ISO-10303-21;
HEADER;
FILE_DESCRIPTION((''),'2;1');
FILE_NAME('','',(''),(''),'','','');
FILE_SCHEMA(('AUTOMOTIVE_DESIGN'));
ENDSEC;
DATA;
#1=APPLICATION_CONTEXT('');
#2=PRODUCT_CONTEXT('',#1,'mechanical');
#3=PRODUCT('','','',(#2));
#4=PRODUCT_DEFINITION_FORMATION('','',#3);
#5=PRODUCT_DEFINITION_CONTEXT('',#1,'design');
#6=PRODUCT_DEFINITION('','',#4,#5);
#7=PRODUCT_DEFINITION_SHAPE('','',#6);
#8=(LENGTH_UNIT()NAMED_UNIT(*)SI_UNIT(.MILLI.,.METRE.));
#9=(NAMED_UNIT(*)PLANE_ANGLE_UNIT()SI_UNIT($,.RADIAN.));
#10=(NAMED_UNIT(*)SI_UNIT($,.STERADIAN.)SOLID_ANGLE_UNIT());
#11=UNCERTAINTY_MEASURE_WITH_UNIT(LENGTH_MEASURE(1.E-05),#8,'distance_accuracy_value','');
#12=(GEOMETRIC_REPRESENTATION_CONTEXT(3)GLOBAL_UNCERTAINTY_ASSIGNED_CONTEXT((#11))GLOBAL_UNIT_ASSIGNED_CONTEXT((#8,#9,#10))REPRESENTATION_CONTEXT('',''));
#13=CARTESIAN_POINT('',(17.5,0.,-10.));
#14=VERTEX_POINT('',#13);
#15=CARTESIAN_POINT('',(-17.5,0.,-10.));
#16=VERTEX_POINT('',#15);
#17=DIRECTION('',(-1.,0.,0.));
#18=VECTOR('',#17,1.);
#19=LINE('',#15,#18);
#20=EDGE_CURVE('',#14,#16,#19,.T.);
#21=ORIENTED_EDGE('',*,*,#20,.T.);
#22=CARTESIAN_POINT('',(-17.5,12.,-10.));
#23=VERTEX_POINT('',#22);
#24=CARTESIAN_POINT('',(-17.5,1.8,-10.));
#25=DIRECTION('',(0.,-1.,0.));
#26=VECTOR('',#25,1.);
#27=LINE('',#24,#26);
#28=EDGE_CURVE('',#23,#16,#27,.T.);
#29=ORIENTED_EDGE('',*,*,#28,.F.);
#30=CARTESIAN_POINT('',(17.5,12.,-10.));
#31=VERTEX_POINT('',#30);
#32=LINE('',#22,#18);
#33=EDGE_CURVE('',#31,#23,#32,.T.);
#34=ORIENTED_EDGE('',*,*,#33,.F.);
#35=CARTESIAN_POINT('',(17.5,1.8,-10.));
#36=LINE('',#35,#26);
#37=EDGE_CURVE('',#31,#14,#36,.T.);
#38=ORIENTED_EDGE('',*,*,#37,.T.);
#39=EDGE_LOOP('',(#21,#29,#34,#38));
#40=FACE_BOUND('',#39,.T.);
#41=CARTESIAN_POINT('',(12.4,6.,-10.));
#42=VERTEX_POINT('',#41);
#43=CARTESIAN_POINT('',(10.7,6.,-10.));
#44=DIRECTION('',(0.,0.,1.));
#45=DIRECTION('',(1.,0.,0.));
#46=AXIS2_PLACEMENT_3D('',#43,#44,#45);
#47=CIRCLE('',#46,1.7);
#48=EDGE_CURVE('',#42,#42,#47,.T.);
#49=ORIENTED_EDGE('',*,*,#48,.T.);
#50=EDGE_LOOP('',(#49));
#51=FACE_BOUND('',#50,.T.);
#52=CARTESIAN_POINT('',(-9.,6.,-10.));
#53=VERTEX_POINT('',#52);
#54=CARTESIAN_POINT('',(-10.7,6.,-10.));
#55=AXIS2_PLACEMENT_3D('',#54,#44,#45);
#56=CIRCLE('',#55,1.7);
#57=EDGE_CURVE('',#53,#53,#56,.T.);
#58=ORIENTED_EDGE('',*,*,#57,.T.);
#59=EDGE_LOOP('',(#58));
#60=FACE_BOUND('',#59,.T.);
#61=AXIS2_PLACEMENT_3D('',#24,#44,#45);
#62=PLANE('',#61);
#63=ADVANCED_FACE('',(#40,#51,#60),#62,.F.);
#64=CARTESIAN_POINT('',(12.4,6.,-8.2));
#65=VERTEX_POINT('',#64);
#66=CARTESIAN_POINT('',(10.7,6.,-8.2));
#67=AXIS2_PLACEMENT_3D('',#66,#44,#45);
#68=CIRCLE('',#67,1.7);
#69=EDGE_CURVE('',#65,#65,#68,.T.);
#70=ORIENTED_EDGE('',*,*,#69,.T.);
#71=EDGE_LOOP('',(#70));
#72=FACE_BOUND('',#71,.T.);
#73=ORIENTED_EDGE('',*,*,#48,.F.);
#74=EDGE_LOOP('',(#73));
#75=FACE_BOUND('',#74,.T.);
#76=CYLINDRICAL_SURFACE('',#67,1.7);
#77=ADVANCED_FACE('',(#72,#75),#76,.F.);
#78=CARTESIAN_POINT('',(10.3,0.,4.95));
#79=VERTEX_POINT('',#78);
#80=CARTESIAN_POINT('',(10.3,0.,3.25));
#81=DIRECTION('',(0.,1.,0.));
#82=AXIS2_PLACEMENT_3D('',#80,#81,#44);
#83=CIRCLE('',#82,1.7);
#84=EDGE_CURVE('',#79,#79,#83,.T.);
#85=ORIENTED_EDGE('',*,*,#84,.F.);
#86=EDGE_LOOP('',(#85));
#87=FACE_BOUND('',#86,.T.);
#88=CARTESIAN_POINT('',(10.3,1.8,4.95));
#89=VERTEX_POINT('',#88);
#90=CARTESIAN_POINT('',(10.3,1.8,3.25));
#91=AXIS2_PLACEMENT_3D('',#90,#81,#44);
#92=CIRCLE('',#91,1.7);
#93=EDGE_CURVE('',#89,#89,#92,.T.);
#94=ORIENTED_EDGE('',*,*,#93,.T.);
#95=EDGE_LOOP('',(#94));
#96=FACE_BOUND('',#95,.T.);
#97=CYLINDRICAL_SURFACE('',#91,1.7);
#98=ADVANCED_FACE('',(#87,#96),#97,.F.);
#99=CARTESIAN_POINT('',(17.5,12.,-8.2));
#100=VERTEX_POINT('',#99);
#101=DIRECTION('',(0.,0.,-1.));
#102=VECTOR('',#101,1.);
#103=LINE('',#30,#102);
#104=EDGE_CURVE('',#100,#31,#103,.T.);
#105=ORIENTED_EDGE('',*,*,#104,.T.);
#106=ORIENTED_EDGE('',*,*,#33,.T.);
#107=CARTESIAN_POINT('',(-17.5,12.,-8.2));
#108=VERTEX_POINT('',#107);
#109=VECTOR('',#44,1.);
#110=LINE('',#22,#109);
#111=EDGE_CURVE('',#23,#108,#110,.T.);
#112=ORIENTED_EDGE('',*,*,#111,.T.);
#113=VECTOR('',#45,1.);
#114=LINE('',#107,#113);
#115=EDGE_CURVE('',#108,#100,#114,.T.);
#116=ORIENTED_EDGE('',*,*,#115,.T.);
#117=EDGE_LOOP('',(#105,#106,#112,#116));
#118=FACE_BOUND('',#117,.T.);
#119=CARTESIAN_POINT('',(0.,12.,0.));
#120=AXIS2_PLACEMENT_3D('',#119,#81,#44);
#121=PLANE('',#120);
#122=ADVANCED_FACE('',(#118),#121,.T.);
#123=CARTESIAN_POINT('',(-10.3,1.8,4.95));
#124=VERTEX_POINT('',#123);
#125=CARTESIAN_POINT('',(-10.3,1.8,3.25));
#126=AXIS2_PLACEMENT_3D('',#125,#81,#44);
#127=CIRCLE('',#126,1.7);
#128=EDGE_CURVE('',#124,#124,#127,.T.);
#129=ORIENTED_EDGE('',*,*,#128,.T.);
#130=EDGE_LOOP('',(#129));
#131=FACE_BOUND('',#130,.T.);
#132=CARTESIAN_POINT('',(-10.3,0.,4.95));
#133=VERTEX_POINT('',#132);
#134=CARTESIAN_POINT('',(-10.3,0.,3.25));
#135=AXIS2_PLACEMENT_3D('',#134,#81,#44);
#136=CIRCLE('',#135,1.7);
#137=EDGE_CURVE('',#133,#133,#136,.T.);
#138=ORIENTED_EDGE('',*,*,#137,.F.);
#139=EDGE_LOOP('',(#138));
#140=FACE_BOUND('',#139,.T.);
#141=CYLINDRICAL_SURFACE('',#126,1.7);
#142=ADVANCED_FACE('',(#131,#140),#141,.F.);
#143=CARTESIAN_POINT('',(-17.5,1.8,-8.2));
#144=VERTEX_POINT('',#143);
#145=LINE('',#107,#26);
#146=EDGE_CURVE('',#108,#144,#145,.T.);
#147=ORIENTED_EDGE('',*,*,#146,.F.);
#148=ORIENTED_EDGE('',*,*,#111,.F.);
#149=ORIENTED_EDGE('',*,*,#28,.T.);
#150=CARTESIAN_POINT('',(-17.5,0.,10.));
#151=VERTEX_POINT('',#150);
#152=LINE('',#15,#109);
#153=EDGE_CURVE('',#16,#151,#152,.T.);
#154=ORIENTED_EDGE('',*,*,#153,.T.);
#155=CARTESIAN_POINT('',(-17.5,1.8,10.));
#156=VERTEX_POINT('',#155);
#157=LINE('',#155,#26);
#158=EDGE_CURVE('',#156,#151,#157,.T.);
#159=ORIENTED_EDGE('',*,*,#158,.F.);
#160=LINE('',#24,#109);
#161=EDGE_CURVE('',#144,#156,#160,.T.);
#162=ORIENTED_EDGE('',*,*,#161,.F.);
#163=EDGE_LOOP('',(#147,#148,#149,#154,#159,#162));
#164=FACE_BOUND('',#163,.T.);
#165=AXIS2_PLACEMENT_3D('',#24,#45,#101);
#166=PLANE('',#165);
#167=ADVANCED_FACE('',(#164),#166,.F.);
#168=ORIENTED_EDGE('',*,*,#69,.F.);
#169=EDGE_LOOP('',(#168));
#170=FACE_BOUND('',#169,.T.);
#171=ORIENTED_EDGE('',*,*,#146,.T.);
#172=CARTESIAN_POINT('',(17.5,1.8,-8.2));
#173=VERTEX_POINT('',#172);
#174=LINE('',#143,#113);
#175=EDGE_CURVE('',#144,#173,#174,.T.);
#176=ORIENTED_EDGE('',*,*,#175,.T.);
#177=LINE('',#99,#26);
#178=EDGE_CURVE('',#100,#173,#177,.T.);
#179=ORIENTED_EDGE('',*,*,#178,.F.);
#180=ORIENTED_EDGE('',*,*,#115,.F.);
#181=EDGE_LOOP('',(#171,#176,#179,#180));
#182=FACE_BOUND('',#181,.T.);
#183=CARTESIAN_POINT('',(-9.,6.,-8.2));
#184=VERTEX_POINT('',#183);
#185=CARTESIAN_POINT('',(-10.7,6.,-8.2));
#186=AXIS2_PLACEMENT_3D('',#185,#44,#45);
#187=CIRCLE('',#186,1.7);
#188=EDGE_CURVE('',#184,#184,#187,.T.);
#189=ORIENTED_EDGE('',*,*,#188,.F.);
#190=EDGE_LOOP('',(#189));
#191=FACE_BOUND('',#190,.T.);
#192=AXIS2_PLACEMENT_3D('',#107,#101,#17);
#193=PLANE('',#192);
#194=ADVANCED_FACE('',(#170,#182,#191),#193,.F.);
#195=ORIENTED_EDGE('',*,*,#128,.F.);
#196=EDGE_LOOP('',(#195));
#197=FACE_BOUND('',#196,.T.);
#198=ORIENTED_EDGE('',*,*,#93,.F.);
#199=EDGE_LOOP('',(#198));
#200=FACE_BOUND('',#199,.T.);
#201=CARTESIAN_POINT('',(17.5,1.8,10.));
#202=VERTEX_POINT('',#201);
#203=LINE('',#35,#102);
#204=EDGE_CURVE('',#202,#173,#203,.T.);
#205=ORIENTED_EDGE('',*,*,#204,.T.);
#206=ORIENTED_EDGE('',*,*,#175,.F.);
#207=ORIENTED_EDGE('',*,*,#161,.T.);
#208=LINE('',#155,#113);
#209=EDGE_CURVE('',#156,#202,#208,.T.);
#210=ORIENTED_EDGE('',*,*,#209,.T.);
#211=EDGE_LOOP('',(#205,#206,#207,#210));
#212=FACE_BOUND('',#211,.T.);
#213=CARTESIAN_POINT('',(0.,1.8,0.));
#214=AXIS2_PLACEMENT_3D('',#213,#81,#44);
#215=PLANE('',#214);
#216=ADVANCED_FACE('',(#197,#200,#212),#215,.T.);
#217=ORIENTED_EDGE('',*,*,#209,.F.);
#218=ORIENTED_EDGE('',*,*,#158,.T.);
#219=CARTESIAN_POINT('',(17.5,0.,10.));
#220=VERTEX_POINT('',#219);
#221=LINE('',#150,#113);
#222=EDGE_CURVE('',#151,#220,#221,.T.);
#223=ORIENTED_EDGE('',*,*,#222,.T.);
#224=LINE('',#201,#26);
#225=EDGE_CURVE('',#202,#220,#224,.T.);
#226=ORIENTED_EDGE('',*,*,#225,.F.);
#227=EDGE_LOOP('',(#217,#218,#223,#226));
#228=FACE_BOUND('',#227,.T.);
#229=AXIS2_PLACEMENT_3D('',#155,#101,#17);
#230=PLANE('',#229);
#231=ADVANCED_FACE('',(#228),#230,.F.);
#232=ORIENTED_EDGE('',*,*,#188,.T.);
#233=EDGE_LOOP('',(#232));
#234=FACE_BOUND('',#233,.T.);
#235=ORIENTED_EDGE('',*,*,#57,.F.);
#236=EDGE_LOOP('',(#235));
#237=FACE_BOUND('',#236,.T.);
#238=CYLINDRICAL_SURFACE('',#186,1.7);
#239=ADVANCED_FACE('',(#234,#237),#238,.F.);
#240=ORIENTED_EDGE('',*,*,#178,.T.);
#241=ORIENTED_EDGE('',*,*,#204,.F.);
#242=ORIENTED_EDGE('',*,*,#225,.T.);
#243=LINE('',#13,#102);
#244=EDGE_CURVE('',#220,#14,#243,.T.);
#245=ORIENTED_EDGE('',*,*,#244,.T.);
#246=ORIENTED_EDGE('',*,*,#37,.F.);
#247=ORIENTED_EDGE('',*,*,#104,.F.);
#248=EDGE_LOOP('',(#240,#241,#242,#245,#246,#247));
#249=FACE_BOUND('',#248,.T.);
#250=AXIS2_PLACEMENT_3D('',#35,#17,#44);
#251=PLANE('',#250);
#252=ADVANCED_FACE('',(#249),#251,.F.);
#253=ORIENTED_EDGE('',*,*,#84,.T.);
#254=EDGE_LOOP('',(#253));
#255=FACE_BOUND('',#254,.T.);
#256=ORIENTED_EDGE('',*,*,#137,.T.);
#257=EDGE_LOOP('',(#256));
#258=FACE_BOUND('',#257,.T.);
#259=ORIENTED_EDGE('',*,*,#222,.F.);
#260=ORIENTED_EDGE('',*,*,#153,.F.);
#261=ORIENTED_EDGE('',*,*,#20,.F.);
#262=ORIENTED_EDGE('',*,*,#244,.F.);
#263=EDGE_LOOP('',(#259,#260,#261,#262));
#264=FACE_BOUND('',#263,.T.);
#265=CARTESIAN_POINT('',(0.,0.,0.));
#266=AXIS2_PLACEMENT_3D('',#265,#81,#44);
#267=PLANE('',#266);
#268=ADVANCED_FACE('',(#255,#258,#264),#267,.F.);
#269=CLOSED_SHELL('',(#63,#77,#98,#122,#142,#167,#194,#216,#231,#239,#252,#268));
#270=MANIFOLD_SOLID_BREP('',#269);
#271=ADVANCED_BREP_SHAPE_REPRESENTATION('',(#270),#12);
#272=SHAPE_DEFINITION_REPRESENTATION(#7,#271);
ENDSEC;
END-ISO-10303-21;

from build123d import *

# Parameters (mm, degrees)
ESQUISSE1_W        = 35
ESQUISSE1_H        = 20
BOSS_EXTRU_1_DEPTH = 1.8
ESQUISSE2_W        = 35
ESQUISSE2_H        = 1.8
BOSS_EXTRU_2_DEPTH = 10.2
D_GAGEMENT_M31_D   = 3.4
D_GAGEMENT_M32_D   = 3.4


with BuildPart() as part:
    # Esquisse1 → Boss.-Extru.1 (new body)
    with BuildSketch(Plane(origin=(0, 0, 0), x_dir=(1, 0, 0), z_dir=(0, 1, 0))):
        Rectangle(ESQUISSE1_W, ESQUISSE1_H)
    extrude(amount=BOSS_EXTRU_1_DEPTH)

    # Esquisse2 → Boss.-Extru.2 (add)
    with BuildSketch(Plane(origin=(0, 1.8, 0), x_dir=(1, 0, 0), z_dir=(0, 1, 0))):
        with Locations((0, 9.1)):
            Rectangle(ESQUISSE2_W, ESQUISSE2_H)
    extrude(amount=BOSS_EXTRU_2_DEPTH)

    # Dégagement M31 (through all)
    with Locations(Plane.XY.offset(-8.2)):
        with Locations((-10.7, 6), (10.7, 6)):
            Hole(D_GAGEMENT_M31_D / 2)

    # Dégagement M32 (through all)
    with Locations(Plane(origin=(0, 1.8, 0), x_dir=(1, 0, 0), z_dir=(0, 1, 0))):
        with Locations((-10.3, -3.25), (10.3, -3.25)):
            Hole(D_GAGEMENT_M32_D / 2)


solid = part.part
